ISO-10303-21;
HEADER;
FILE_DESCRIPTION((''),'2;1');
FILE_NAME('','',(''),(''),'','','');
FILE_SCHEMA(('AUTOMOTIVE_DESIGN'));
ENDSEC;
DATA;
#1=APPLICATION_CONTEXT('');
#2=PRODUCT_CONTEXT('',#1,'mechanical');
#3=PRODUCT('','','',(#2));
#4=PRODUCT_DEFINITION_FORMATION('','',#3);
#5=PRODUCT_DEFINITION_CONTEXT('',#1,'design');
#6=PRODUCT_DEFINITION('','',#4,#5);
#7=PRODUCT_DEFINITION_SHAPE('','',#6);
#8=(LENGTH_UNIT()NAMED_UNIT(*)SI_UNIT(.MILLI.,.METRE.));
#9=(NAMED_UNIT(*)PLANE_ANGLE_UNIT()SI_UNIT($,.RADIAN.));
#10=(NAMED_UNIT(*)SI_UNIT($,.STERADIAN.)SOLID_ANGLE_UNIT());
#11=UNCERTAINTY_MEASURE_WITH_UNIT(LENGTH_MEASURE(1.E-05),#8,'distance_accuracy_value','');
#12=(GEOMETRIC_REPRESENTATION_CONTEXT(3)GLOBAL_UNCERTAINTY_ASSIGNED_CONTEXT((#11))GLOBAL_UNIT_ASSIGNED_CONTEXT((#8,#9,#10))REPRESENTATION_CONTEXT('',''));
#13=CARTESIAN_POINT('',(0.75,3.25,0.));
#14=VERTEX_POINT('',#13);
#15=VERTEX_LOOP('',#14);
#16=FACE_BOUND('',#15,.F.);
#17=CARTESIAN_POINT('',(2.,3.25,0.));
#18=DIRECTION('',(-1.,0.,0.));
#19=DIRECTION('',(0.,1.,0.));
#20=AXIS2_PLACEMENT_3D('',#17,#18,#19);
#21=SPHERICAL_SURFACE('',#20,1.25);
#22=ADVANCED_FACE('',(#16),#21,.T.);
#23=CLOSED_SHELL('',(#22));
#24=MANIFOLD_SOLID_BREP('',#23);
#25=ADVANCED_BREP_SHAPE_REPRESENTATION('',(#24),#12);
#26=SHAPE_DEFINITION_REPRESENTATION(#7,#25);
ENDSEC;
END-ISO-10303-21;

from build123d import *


with BuildPart() as part:
    # Esquisse1 → Base-Révolution (revolve)
    with BuildSketch(Plane.XY):
        with BuildLine():
            Line((0.75, 3.25), (3.25, 3.25))
            ThreePointArc((3.25, 3.25), (2, 4.5), (0.75, 3.25))
        make_face()
    revolve(axis=Axis((2, 3.25, 0), (1, 0, 0)))


solid = part.part
